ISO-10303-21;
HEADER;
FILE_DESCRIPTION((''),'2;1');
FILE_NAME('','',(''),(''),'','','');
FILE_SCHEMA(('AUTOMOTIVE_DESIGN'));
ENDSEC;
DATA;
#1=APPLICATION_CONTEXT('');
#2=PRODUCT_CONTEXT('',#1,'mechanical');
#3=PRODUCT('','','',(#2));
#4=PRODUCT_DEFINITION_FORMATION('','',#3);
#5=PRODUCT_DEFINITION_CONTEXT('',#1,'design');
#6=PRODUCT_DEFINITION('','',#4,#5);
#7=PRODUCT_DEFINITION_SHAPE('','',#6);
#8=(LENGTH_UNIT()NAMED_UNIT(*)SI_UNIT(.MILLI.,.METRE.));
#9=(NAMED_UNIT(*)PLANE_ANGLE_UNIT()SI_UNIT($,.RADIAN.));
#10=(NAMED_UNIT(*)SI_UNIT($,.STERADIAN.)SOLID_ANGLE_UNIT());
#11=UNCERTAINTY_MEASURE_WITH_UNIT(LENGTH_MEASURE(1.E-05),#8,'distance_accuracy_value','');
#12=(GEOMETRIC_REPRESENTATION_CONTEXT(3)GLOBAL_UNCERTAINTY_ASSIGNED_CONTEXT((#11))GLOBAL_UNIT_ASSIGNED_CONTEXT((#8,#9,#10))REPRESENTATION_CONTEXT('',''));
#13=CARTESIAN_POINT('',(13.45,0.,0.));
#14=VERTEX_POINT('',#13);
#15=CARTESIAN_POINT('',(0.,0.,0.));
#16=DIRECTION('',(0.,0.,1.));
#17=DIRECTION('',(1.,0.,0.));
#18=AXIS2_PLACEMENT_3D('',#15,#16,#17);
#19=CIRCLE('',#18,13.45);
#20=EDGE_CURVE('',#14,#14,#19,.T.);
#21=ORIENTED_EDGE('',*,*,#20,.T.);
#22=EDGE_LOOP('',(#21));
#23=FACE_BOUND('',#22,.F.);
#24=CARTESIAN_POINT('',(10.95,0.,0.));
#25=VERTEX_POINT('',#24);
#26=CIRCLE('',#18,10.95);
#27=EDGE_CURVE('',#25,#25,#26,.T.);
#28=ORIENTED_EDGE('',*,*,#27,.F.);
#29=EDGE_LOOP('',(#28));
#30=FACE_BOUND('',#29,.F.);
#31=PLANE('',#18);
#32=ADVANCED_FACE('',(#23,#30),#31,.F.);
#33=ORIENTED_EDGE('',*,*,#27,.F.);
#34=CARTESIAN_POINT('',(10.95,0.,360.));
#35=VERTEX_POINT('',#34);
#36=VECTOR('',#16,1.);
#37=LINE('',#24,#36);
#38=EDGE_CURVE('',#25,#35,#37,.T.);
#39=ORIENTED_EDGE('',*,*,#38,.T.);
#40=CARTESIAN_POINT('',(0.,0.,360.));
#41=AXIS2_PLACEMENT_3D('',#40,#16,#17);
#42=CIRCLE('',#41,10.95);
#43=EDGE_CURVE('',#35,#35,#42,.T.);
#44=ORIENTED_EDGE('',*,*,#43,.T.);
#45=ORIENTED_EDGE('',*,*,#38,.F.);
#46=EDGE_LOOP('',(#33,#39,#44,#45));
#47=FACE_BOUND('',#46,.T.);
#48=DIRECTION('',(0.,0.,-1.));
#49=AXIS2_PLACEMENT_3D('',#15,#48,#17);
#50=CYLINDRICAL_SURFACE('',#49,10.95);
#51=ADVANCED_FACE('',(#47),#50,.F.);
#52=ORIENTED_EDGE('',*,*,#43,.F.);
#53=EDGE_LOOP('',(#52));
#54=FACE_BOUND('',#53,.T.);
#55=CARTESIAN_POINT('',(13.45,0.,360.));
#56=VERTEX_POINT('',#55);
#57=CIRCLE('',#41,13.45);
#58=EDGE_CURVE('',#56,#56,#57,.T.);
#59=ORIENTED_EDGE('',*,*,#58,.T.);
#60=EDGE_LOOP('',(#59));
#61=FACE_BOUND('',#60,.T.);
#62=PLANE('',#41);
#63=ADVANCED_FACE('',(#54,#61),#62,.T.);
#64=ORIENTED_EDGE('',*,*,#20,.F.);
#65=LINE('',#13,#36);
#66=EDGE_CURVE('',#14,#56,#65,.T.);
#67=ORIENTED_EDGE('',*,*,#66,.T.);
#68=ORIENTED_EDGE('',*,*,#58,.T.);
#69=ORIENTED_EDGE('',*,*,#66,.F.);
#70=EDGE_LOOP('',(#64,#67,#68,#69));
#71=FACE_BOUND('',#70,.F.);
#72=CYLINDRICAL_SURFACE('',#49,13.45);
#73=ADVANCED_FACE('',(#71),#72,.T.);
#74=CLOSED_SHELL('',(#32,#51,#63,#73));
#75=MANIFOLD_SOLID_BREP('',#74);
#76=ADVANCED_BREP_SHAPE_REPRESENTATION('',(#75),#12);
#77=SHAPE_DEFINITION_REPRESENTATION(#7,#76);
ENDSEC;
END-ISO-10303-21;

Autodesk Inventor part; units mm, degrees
ref_plane "YZ Plane" through (0, 0, 0) normal (1, 0, 0) x (0, 1, 0)
ref_plane "Start Plane" through (0, 0, 0) normal (0, 0, 1) x (1, 0, 0)
ref_plane "End Plane" through (0, 0, 360) normal (0, 0, 1) x (1, 0, 0)
sketch "Sketch" plane through (0, 0, 0) normal (0, 0, 1) x (1, 0, 0)
  circle A0 centre (0, 0) radius 10.95
  circle A1 centre (0, 0) radius 13.45
  dimension "d0" = 26.9
  dimension "d1" = 2.5
extrude "Body" add sketch "Sketch" along normal up to surface (360 mm away) from surface at 0
sketch "Sketch3" plane through (0, 0, 0) normal (0, 0, 1) x (1, 0, 0)
  line L0 (0, 0) -> (10, 0)
ref_plane "Work Plane3" through (0, 0, 0) normal (0, -1, 0) x (1, 0, 0)
sketch "Sketch4" plane through (0, 0, 0) normal (0, -1, 0) x (1, 0, 0)
  line L0 (-2, 0) -> (12, 0) projected
  line L1 (-2, 360) -> (12, 360) projected
  dimension "d7" = 360
equation "\"d0\" = G_H"
equation "\"d1\" = G_T"
equation "\"d2\" = G_L"
equation "\"G_H\" = 26.9"
equation "\"G_T\" = 2.5"
equation "\"G_L\" = d7"
equation "\"G_OFFSET_START\" = 0"
equation "\"G_OFFSET_END\" = 0"
properties part number "ISO 4019 - 26.9x2.5 - 360" material "Steel"
